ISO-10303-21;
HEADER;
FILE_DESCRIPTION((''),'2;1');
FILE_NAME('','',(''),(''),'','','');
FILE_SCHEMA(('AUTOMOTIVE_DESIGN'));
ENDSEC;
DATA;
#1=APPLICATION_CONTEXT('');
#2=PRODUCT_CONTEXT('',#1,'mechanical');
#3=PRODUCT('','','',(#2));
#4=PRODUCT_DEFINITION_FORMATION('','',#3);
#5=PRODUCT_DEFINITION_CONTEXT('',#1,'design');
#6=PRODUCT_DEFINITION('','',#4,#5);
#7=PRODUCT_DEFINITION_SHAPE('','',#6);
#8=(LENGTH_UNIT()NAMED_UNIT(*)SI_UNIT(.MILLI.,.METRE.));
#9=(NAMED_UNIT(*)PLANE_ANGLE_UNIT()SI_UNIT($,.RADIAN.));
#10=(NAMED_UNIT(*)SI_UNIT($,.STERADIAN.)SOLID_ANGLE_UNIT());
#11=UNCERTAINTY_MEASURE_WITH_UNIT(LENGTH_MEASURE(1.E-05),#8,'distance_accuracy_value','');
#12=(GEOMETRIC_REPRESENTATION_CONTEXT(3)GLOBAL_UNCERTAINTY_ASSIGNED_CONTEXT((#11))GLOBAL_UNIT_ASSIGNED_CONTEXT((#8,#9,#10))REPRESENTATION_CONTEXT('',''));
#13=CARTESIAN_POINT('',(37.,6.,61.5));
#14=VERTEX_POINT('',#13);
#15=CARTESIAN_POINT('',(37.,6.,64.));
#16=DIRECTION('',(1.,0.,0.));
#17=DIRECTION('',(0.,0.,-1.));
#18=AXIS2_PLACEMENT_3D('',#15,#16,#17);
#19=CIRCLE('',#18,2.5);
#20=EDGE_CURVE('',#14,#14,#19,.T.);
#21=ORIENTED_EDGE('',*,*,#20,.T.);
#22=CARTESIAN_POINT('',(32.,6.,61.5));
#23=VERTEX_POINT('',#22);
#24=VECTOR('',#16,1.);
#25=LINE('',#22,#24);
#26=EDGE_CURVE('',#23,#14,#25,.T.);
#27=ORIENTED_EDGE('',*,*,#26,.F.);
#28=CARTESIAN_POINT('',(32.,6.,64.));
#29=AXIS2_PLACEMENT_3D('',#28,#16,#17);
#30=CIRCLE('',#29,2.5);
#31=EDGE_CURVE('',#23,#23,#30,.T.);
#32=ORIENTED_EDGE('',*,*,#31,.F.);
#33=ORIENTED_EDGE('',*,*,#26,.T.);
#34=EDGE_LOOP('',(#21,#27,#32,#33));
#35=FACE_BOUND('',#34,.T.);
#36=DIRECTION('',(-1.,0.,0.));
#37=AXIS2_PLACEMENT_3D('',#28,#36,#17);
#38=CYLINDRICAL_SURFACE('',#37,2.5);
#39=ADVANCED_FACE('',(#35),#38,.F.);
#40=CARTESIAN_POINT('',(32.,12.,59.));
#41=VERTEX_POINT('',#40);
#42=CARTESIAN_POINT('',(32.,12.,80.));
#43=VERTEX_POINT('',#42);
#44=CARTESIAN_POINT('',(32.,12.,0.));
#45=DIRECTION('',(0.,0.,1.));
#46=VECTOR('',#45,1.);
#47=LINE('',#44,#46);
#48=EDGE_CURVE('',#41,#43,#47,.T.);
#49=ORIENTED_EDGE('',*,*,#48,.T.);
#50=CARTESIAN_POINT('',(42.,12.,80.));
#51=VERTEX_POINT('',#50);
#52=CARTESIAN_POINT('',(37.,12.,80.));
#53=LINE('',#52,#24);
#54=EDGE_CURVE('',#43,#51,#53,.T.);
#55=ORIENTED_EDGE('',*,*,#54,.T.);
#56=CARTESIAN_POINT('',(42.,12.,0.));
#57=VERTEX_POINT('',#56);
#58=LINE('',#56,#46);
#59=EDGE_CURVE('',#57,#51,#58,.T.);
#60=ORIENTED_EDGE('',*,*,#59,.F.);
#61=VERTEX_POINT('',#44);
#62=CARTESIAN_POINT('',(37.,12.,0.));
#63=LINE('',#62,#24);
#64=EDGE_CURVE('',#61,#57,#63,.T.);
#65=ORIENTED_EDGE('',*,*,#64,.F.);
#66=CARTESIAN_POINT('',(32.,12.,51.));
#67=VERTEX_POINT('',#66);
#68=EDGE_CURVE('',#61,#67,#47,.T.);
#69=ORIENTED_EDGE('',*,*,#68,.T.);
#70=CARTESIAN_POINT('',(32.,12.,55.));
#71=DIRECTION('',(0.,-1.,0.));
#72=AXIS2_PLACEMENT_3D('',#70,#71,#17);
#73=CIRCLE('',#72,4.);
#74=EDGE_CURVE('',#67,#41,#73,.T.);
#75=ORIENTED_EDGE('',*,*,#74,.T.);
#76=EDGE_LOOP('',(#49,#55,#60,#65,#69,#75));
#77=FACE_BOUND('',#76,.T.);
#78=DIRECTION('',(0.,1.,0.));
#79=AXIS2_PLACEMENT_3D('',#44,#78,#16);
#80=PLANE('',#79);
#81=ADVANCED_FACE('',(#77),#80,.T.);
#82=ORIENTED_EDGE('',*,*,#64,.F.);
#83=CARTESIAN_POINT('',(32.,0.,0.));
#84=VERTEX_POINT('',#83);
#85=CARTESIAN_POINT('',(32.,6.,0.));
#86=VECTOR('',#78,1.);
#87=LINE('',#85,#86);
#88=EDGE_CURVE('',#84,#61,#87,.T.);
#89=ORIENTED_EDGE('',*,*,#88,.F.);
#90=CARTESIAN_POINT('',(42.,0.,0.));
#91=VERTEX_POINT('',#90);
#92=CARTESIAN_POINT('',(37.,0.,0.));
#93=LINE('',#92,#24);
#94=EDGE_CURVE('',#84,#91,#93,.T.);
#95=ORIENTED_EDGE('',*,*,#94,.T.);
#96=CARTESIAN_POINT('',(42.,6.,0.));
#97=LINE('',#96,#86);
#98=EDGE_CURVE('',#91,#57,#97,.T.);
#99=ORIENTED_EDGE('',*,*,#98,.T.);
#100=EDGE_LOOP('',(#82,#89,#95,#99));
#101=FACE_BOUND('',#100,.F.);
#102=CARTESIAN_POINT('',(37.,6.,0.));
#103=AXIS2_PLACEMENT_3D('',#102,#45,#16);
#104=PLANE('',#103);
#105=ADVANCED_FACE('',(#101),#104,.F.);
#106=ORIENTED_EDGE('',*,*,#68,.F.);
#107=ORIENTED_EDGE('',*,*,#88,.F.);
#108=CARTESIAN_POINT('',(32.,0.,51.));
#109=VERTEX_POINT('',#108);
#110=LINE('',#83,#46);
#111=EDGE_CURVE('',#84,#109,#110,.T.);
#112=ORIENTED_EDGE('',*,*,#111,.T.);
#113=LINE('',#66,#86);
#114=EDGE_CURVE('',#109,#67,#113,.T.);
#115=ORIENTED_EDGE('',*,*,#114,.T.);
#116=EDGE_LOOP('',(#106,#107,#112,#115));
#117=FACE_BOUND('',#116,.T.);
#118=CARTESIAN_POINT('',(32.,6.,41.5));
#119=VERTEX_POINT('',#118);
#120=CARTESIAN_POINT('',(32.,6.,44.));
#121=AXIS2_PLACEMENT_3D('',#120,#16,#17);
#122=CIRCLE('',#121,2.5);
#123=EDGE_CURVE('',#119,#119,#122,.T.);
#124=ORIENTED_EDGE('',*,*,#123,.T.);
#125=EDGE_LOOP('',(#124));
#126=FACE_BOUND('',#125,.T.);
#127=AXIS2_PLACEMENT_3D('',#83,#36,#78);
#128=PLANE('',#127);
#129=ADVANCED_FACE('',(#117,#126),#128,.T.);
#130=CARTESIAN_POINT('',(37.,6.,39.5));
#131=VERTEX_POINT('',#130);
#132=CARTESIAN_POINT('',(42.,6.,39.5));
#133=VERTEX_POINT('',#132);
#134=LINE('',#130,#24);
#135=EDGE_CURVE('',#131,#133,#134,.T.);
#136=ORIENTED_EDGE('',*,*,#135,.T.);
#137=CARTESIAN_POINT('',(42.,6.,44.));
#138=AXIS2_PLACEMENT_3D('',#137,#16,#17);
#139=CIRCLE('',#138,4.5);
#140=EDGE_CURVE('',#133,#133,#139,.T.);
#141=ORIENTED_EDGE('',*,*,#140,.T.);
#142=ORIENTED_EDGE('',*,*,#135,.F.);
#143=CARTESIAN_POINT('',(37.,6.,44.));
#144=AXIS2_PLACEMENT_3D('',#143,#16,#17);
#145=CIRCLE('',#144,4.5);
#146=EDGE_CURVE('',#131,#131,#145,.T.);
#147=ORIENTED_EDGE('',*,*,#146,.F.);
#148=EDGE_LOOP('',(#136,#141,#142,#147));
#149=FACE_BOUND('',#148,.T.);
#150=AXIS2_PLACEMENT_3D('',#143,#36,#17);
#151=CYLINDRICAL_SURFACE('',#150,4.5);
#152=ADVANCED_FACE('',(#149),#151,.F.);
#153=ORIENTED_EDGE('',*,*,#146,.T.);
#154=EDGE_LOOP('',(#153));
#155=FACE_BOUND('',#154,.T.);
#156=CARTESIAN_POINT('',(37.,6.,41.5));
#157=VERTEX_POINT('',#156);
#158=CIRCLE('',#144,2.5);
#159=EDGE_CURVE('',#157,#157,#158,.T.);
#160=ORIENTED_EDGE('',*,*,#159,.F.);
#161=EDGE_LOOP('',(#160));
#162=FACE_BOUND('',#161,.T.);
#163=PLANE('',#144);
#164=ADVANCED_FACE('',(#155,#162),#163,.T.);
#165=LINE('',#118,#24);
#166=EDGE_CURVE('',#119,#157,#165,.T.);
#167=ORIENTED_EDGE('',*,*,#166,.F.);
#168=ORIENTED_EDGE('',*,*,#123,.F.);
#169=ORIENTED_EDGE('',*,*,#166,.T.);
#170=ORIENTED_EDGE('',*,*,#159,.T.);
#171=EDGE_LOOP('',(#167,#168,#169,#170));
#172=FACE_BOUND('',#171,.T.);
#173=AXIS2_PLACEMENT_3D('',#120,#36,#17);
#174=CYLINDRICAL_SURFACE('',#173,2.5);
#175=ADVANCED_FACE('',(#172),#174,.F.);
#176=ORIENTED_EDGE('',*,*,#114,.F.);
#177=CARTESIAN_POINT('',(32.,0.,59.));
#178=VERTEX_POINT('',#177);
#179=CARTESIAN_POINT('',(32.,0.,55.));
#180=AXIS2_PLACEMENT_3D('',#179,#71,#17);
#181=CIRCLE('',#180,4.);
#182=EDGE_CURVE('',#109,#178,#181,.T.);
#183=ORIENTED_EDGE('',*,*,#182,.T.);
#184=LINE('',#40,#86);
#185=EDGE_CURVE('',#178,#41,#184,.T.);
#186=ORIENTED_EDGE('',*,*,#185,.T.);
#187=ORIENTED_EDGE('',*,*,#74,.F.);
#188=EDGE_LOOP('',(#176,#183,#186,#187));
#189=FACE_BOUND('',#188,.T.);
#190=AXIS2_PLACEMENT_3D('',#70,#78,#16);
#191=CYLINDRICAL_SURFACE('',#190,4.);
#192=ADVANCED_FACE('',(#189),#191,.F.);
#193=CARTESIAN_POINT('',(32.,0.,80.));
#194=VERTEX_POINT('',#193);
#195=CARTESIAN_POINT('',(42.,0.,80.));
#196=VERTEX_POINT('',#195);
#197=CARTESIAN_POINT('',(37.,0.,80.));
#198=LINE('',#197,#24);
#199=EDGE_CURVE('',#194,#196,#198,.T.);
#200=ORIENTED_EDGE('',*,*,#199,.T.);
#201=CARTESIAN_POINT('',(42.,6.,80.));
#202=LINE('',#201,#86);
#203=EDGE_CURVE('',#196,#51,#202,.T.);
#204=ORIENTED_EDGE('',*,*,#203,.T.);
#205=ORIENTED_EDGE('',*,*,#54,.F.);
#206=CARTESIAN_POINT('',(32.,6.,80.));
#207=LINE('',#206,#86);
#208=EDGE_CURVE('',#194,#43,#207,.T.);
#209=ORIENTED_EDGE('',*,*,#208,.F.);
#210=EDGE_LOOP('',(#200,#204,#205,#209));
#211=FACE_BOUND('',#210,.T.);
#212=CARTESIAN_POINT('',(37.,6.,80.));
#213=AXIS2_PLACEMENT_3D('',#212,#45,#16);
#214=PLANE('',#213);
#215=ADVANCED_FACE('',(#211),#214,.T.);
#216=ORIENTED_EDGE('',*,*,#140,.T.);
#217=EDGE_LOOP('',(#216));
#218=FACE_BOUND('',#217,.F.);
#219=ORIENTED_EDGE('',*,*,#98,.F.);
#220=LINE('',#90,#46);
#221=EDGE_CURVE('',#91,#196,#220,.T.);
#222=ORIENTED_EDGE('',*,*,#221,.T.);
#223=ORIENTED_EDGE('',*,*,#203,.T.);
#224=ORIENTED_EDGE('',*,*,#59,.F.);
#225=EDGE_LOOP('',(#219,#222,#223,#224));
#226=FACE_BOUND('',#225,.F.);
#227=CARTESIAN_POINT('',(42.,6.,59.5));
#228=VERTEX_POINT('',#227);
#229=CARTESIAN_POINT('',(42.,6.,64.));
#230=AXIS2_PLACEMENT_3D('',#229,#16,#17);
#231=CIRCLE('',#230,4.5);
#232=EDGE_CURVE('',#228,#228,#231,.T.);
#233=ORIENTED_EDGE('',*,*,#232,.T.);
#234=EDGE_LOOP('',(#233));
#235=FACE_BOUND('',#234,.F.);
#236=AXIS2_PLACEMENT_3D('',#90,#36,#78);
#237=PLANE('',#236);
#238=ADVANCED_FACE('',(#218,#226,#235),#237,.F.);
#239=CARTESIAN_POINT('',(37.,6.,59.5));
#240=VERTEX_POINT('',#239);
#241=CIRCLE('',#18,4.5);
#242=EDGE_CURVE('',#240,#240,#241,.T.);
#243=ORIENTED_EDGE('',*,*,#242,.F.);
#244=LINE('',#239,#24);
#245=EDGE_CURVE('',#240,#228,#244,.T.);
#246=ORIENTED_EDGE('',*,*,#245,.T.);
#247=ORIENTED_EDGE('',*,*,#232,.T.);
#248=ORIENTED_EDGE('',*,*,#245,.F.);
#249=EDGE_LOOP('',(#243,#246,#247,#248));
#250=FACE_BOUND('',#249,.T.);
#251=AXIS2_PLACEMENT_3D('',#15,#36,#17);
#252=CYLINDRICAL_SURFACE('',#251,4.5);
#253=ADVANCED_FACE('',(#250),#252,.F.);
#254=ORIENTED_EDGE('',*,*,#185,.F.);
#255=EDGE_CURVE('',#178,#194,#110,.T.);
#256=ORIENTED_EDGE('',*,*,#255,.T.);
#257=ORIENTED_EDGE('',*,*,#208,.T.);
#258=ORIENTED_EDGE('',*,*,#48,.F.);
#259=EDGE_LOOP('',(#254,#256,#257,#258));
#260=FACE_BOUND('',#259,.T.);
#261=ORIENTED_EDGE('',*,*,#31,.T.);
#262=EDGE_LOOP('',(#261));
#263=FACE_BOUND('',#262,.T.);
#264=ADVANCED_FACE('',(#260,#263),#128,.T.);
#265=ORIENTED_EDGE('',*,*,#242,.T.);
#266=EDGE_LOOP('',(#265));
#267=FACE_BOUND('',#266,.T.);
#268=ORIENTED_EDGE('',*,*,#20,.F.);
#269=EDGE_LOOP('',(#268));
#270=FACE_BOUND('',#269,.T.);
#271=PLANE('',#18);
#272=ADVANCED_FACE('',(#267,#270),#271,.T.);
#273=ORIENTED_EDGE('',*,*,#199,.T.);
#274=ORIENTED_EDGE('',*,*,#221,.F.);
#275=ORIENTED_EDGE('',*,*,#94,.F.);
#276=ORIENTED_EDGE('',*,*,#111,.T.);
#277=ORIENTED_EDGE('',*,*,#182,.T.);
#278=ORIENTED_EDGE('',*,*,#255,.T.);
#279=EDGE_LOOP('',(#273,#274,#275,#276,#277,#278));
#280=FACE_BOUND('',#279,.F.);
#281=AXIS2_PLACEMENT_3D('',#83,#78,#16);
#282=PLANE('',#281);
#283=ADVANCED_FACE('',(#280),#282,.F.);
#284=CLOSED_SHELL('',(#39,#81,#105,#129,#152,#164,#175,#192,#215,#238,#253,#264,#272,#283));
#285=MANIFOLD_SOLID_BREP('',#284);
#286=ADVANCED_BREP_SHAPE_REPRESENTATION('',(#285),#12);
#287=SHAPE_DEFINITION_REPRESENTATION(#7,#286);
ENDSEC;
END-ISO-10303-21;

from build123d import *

# Parameters (mm, degrees)
CYLINDER010_R     = 4
CYLINDER010_DEPTH = 12
CYLINDER006_R     = 4.5
CYLINDER006_DEPTH = 5
CYLINDER005_R     = 2.5
CYLINDER005_DEPTH = 5
CYLINDER012_R     = 4.5
CYLINDER012_DEPTH = 5
CYLINDER011_R     = 2.5
CYLINDER011_DEPTH = 5
BOX_W             = 10
BOX_H             = 12
BOX_DEPTH         = 80


with BuildPart() as cylinder010:
    # Cylinder010 → Cylinder010 (new body)
    with BuildSketch(Plane(origin=(32, 12, 55), x_dir=(1, 0, 0), z_dir=(0, -1, 0))):
        Circle(CYLINDER010_R)
    extrude(amount=CYLINDER010_DEPTH)


with BuildPart() as cylinder006:
    # Cylinder006 → Cylinder006 (new body)
    with BuildSketch(Plane(origin=(37, 5, 55), x_dir=(0, 0, -1), z_dir=(1, 0, 0))):
        Circle(CYLINDER006_R)
    extrude(amount=CYLINDER006_DEPTH)


with BuildPart() as crewhole1:
    # Cylinder005 → Cylinder005 (new body)
    with BuildSketch(Plane(origin=(32, 5, 55), x_dir=(0, 0, -1), z_dir=(1, 0, 0))):
        Circle(CYLINDER005_R)
    extrude(amount=CYLINDER005_DEPTH)

    # Fusion003: union Cylinder006
    add(cylinder006.part)


with BuildPart() as crewhole1_1:
    # Fusion003 placement: moved
    add(crewhole1.part.moved(Location((0, 1, 9))))


with BuildPart() as cylinder012:
    # Cylinder012 → Cylinder012 (new body)
    with BuildSketch(Plane(origin=(37, 5, 55), x_dir=(0, 0, -1), z_dir=(1, 0, 0))):
        Circle(CYLINDER012_R)
    extrude(amount=CYLINDER012_DEPTH)


with BuildPart() as screwholes:
    # Cylinder011 → Cylinder011 (new body)
    with BuildSketch(Plane(origin=(32, 5, 55), x_dir=(0, 0, -1), z_dir=(1, 0, 0))):
        Circle(CYLINDER011_R)
    extrude(amount=CYLINDER011_DEPTH)

    # Fusion004: union Cylinder012
    add(cylinder012.part)


with BuildPart() as screwholes_1:
    # Fusion004 placement: moved
    add(screwholes.part.moved(Location((0, 1, -11))))

    # Fusion005: union CrewHole1
    add(crewhole1_1.part)


with BuildPart() as clampsideb:
    # Box → Box (new body)
    with BuildSketch(Plane(origin=(32, 0, 0), x_dir=(1, 0, 0), z_dir=(0, 0, 1))):
        with Locations((5, 6)):
            Rectangle(BOX_W, BOX_H)
    extrude(amount=BOX_DEPTH)

    # Cut: cut ScrewHoles
    add(screwholes_1.part, mode=Mode.SUBTRACT)

    # Cut007: cut Cylinder010
    add(cylinder010.part, mode=Mode.SUBTRACT)


solid = clampsideb.part
